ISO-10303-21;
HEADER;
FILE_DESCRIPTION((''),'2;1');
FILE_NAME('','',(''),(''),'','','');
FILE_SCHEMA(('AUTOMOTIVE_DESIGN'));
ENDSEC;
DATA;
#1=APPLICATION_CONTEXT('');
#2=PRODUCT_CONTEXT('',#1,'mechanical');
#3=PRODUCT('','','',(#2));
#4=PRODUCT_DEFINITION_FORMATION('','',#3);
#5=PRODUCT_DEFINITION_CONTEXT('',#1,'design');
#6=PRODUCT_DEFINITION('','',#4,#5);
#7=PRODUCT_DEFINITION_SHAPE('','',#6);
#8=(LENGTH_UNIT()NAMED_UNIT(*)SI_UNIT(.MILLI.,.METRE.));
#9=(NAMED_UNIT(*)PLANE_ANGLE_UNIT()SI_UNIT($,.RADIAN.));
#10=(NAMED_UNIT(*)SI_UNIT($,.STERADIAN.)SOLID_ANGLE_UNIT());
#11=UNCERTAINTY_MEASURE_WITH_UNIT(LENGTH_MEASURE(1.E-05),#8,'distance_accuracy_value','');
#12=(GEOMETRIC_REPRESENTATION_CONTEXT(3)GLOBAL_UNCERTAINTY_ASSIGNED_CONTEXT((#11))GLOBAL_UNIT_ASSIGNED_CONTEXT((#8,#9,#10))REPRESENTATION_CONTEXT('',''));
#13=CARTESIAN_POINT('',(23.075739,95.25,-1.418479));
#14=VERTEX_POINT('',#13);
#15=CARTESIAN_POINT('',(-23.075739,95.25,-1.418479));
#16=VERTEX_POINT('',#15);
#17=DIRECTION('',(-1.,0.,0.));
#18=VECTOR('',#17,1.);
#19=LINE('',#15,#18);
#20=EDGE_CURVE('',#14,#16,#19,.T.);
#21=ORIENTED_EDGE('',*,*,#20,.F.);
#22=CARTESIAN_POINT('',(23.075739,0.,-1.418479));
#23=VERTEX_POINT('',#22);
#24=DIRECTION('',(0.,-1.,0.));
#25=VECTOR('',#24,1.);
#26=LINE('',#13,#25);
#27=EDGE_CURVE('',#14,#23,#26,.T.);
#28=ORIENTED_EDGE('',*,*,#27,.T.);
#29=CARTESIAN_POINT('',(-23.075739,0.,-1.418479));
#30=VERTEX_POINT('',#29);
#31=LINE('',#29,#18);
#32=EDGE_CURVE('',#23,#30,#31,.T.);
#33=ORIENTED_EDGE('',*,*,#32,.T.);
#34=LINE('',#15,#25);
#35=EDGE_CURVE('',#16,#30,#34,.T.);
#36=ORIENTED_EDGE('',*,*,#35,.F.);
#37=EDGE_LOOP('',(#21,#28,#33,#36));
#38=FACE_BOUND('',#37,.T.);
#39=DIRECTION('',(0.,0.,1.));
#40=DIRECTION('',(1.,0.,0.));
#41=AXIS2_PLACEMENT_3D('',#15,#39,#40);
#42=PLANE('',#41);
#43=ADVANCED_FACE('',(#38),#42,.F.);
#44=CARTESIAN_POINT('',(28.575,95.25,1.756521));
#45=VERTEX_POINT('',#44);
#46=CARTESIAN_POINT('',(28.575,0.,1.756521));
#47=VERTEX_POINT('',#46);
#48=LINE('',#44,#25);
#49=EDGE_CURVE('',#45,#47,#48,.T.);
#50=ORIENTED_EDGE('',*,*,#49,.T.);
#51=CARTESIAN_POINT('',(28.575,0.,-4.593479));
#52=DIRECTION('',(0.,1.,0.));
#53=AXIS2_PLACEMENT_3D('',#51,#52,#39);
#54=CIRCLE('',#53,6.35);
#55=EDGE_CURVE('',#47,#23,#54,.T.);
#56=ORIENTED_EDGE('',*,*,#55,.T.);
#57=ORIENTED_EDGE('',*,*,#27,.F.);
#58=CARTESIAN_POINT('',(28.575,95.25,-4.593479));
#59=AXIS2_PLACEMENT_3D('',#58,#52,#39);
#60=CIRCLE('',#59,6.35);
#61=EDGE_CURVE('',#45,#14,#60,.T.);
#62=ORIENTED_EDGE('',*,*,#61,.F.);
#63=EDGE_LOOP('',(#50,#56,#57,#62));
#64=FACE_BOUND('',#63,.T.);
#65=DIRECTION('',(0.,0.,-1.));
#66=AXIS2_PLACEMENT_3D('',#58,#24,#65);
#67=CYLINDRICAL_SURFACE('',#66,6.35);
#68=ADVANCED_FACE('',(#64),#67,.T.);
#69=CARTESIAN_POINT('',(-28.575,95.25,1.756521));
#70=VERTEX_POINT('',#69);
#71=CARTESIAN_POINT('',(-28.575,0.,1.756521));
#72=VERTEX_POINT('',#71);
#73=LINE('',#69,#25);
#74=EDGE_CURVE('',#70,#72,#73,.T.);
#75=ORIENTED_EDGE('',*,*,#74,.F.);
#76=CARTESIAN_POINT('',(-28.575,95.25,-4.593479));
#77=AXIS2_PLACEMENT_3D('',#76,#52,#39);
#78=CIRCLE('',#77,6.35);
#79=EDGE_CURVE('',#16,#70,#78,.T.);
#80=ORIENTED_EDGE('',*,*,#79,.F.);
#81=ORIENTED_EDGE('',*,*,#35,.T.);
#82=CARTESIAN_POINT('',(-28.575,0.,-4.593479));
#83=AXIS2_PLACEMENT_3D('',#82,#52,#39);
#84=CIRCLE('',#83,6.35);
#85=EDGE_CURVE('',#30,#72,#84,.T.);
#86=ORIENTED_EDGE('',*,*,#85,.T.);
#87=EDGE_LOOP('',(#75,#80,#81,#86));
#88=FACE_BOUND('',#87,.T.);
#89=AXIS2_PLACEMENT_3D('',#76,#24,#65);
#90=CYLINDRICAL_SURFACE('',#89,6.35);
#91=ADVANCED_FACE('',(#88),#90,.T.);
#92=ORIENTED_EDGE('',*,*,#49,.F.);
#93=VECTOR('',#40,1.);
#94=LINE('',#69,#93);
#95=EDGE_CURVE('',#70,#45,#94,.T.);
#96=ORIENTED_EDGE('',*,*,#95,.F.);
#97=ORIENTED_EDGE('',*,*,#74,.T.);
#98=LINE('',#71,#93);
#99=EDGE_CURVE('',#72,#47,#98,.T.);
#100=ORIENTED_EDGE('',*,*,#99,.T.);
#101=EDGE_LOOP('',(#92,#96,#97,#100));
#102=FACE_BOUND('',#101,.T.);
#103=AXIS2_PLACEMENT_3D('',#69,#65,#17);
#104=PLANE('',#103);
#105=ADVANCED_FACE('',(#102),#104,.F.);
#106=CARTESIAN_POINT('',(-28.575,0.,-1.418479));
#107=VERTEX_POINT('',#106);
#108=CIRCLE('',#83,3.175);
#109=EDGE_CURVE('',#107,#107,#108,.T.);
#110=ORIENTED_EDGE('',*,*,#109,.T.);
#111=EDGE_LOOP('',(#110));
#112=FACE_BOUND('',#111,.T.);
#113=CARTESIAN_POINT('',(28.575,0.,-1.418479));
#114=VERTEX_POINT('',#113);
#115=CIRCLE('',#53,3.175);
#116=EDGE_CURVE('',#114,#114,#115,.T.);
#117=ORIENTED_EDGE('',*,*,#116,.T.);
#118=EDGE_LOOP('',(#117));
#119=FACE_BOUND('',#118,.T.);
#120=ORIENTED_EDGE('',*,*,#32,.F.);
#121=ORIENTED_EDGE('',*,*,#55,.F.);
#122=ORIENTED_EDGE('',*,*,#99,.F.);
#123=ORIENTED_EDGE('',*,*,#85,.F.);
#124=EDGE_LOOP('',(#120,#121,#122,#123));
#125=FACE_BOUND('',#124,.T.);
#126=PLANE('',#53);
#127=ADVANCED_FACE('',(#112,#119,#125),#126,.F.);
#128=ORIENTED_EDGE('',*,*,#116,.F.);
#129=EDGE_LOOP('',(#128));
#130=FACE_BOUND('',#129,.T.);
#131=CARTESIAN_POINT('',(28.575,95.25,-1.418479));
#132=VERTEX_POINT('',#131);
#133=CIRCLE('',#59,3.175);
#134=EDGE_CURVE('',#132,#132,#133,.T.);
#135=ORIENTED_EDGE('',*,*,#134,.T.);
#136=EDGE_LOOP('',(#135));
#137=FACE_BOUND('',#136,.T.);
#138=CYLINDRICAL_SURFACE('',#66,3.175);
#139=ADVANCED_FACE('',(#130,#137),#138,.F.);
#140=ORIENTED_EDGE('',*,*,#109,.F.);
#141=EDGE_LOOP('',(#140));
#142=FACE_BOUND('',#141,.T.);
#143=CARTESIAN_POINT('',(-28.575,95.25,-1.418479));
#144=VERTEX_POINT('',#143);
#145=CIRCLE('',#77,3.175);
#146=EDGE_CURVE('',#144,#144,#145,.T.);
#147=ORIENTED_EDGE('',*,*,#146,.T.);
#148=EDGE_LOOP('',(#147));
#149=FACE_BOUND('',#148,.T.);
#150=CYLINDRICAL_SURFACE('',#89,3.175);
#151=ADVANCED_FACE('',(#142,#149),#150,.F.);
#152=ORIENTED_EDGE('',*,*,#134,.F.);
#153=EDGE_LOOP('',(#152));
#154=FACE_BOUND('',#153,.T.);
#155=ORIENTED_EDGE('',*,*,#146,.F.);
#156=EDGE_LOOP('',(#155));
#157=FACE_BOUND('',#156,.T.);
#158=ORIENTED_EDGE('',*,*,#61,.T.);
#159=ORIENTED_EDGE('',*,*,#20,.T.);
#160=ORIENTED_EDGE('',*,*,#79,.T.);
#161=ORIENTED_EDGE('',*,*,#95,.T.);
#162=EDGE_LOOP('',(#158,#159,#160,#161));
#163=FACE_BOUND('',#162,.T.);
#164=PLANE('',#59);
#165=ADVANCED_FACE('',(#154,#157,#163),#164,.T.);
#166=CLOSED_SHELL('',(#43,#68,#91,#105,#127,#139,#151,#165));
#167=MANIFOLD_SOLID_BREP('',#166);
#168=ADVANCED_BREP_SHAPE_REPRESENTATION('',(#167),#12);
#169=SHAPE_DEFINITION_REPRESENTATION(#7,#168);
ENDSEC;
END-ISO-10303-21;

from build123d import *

# Parameters (mm, degrees)
SKETCH1_R           = 3.175
BOSS_EXTRUDE1_DEPTH = 95.25


with BuildPart() as part:
    # Sketch1 → Boss-Extrude1 (new body)
    with BuildSketch(Plane(origin=(0, 0, 0), x_dir=(1, 0, 0), z_dir=(0, 1, 0))):
        with BuildLine():
            Line((-28.575, -1.756521345), (28.575, -1.756521345))
            ThreePointArc((28.575, -1.756521345), (31.75, 10.092739969), (23.075738686, 1.418478655))
            Line((23.075738686, 1.418478655), (-23.075738686, 1.418478655))
            ThreePointArc((-23.075738686, 1.418478655), (-31.75, 10.092739969), (-28.575, -1.756521345))
        make_face()
        with Locations(Location((-28.575, 4.593478655, 0), (0, 0, 270))):
            Circle(SKETCH1_R, mode=Mode.SUBTRACT)
        with Locations(Location((28.575, 4.593478655, 0), (0, 0, 270))):
            Circle(SKETCH1_R, mode=Mode.SUBTRACT)
    extrude(amount=BOSS_EXTRUDE1_DEPTH)


solid = part.part
